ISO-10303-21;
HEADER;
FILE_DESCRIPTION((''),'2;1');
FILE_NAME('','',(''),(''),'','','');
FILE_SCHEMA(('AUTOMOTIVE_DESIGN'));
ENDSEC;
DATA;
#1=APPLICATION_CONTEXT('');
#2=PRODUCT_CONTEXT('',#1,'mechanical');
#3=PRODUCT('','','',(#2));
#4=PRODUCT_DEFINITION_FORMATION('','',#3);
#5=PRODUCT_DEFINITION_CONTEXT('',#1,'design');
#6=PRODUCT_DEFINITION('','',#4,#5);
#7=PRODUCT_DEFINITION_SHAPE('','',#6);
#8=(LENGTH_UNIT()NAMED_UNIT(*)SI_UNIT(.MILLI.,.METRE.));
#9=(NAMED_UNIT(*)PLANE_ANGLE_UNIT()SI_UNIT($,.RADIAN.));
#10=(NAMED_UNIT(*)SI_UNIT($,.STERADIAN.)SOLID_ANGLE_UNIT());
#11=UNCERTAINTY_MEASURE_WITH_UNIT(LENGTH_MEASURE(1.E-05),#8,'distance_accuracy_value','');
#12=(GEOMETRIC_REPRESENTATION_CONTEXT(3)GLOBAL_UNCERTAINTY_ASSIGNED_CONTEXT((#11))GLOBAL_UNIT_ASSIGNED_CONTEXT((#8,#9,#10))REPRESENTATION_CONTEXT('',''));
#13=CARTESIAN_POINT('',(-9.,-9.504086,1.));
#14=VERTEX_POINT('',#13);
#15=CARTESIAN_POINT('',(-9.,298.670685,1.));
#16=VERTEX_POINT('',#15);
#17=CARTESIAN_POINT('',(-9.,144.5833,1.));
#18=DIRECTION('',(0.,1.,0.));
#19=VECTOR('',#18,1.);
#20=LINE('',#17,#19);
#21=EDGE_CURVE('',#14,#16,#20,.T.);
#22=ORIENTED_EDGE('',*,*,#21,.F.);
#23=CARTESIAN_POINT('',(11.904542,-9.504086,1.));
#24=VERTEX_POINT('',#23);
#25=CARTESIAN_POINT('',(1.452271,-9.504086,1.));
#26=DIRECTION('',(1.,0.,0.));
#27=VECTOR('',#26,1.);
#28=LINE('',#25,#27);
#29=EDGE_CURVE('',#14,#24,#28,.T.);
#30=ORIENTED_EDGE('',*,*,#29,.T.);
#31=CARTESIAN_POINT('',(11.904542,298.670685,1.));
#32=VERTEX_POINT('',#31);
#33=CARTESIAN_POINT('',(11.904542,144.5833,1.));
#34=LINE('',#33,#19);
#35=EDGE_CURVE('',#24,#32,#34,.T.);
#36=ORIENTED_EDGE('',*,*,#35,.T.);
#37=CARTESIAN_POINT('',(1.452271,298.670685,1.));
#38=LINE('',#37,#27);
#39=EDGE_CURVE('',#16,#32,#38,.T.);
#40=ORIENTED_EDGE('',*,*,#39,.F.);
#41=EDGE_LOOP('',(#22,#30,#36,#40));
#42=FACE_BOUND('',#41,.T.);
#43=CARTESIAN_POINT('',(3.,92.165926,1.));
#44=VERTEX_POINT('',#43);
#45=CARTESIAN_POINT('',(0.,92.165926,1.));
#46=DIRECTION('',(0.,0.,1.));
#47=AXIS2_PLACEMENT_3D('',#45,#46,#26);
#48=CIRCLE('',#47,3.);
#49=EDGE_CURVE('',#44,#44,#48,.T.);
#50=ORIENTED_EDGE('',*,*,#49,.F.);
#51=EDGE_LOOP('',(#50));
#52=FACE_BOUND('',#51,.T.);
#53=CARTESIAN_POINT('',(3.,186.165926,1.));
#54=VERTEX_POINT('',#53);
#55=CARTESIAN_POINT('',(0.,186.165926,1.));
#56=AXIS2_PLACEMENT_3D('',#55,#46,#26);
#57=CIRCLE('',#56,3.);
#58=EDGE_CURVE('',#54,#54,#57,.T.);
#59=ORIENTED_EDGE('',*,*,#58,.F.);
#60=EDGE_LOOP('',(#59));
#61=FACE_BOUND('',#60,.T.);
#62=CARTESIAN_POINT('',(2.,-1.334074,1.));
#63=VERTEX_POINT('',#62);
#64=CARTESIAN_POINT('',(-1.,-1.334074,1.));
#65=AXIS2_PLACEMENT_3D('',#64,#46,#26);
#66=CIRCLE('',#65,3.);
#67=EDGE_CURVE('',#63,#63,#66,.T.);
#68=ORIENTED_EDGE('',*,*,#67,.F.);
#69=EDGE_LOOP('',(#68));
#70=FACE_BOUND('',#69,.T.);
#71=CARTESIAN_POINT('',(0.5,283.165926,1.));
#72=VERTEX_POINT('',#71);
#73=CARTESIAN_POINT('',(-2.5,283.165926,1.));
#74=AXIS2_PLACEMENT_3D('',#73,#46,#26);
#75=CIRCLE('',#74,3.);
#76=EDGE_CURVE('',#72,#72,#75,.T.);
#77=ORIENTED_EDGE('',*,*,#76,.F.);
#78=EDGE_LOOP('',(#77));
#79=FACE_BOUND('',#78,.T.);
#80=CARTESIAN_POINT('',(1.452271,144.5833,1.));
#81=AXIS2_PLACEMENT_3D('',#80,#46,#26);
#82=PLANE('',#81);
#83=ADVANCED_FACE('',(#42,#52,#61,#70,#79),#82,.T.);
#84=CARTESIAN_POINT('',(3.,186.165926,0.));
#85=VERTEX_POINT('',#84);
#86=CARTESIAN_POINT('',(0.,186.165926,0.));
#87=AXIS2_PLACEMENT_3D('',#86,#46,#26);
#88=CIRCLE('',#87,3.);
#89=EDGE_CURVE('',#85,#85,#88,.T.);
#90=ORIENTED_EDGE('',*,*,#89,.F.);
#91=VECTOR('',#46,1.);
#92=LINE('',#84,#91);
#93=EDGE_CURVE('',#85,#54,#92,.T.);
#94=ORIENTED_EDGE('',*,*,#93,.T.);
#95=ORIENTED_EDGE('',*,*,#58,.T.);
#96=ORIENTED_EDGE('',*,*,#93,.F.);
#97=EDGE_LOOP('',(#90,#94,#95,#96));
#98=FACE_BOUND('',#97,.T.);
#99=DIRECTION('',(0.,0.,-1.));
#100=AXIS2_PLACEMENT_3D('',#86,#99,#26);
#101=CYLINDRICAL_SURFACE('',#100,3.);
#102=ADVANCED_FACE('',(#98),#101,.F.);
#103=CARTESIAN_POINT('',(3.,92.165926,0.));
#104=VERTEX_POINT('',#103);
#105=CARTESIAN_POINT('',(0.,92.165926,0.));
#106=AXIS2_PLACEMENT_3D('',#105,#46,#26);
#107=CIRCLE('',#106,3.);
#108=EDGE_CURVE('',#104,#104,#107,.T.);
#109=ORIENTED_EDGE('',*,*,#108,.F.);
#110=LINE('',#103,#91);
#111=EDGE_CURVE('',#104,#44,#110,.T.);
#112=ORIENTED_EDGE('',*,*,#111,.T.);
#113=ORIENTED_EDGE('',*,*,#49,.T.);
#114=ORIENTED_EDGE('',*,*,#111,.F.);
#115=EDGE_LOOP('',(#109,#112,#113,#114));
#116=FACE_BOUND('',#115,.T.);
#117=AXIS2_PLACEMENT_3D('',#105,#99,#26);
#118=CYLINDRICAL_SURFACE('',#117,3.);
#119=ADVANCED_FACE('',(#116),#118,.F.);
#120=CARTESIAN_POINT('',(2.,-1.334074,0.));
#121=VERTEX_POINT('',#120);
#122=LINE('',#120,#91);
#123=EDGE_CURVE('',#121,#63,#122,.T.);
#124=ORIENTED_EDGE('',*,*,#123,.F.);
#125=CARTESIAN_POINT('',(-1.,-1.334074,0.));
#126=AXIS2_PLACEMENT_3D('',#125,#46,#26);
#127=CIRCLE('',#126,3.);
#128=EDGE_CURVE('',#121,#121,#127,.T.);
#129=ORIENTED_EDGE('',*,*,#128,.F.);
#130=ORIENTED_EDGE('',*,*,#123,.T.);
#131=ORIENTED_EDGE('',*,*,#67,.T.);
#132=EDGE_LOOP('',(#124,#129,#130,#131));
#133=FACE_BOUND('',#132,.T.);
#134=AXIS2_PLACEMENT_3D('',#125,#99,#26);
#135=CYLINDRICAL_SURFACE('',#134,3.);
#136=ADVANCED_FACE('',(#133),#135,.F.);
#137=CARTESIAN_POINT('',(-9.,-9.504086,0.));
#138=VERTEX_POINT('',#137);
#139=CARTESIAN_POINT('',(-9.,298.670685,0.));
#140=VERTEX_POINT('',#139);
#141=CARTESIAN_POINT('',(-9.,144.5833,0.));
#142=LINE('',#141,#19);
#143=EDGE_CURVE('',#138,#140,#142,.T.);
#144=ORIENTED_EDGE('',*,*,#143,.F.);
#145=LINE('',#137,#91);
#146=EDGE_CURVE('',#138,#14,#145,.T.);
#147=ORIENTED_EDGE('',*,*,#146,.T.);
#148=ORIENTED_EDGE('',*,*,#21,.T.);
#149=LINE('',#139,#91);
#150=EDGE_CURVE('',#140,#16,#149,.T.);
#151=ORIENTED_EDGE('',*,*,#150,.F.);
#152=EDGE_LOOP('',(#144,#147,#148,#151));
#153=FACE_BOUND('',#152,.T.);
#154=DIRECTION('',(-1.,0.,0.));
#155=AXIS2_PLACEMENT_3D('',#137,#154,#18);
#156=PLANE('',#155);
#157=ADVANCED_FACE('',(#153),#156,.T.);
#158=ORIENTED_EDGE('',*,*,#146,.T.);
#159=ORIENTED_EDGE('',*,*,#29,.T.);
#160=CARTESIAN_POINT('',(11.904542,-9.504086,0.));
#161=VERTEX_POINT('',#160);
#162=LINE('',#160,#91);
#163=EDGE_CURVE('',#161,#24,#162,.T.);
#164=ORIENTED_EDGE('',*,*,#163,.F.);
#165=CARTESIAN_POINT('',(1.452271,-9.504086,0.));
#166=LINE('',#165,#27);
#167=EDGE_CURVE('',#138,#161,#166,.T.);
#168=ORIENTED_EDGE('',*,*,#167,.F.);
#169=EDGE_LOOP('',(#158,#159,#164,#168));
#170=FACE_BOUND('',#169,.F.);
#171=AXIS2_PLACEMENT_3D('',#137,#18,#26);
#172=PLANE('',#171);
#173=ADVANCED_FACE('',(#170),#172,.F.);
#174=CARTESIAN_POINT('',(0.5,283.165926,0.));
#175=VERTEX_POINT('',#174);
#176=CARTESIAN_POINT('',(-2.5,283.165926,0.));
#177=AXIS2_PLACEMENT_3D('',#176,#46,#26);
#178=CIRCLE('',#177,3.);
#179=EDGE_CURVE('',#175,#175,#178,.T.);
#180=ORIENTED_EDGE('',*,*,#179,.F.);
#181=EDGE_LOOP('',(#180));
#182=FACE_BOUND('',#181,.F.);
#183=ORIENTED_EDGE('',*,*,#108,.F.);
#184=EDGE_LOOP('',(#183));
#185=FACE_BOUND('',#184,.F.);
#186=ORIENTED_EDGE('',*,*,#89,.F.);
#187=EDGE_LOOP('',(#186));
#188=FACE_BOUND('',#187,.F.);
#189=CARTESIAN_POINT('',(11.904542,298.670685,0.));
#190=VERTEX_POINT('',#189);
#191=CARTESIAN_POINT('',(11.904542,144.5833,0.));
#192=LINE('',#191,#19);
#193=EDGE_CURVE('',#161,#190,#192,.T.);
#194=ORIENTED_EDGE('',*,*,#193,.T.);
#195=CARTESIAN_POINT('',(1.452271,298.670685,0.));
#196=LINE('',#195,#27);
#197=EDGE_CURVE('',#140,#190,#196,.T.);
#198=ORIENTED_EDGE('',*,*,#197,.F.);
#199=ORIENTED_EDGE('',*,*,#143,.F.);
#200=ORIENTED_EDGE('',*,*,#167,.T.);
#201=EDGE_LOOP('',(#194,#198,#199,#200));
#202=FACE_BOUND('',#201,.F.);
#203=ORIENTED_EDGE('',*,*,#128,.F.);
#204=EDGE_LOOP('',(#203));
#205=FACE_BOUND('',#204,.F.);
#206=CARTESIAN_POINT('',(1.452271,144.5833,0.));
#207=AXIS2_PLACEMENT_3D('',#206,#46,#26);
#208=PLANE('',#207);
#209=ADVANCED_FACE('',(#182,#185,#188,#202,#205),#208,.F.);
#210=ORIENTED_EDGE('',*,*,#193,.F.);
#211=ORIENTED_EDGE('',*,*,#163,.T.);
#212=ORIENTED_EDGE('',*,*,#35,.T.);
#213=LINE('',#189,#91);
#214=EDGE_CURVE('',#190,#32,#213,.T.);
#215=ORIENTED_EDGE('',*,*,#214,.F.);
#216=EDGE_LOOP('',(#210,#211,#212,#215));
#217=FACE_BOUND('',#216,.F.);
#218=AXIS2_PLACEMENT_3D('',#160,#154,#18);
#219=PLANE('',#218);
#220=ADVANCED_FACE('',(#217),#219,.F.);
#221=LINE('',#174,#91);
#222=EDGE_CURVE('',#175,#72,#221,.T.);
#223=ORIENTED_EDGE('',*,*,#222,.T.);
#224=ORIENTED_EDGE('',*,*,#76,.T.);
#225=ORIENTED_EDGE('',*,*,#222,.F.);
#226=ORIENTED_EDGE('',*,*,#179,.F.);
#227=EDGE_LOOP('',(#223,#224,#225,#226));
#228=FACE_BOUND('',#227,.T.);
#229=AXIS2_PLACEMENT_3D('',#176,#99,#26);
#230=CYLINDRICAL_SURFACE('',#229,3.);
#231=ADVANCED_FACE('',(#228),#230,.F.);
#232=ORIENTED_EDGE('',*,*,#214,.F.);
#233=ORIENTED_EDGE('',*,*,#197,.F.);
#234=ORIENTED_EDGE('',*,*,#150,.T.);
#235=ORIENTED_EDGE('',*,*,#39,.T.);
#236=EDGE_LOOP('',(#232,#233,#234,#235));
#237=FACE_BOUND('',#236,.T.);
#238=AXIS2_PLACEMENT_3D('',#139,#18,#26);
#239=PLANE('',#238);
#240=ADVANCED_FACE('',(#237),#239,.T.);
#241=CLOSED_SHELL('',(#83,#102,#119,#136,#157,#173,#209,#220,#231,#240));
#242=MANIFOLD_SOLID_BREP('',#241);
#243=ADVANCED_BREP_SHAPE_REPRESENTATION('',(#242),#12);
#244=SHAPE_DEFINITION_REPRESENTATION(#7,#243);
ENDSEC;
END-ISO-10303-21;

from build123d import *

# Parameters (mm, degrees)
SKETCH_W  = 20.904542
SKETCH_H  = 308.174771
SKETCH_R  = 3
PAD_DEPTH = 1


with BuildPart() as part:
    # Sketch → Pad (new body)
    with BuildSketch(Plane.XY):
        with Locations((1.452271, 144.5833)):
            Rectangle(SKETCH_W, SKETCH_H)
        with Locations((-1, -1.334074)):
            Circle(SKETCH_R, mode=Mode.SUBTRACT)
        with Locations((0, 92.165926)):
            Circle(SKETCH_R, mode=Mode.SUBTRACT)
        with Locations((0, 186.165926)):
            Circle(SKETCH_R, mode=Mode.SUBTRACT)
        with Locations((-2.5, 283.165926)):
            Circle(SKETCH_R, mode=Mode.SUBTRACT)
    extrude(amount=PAD_DEPTH)


solid = part.part
